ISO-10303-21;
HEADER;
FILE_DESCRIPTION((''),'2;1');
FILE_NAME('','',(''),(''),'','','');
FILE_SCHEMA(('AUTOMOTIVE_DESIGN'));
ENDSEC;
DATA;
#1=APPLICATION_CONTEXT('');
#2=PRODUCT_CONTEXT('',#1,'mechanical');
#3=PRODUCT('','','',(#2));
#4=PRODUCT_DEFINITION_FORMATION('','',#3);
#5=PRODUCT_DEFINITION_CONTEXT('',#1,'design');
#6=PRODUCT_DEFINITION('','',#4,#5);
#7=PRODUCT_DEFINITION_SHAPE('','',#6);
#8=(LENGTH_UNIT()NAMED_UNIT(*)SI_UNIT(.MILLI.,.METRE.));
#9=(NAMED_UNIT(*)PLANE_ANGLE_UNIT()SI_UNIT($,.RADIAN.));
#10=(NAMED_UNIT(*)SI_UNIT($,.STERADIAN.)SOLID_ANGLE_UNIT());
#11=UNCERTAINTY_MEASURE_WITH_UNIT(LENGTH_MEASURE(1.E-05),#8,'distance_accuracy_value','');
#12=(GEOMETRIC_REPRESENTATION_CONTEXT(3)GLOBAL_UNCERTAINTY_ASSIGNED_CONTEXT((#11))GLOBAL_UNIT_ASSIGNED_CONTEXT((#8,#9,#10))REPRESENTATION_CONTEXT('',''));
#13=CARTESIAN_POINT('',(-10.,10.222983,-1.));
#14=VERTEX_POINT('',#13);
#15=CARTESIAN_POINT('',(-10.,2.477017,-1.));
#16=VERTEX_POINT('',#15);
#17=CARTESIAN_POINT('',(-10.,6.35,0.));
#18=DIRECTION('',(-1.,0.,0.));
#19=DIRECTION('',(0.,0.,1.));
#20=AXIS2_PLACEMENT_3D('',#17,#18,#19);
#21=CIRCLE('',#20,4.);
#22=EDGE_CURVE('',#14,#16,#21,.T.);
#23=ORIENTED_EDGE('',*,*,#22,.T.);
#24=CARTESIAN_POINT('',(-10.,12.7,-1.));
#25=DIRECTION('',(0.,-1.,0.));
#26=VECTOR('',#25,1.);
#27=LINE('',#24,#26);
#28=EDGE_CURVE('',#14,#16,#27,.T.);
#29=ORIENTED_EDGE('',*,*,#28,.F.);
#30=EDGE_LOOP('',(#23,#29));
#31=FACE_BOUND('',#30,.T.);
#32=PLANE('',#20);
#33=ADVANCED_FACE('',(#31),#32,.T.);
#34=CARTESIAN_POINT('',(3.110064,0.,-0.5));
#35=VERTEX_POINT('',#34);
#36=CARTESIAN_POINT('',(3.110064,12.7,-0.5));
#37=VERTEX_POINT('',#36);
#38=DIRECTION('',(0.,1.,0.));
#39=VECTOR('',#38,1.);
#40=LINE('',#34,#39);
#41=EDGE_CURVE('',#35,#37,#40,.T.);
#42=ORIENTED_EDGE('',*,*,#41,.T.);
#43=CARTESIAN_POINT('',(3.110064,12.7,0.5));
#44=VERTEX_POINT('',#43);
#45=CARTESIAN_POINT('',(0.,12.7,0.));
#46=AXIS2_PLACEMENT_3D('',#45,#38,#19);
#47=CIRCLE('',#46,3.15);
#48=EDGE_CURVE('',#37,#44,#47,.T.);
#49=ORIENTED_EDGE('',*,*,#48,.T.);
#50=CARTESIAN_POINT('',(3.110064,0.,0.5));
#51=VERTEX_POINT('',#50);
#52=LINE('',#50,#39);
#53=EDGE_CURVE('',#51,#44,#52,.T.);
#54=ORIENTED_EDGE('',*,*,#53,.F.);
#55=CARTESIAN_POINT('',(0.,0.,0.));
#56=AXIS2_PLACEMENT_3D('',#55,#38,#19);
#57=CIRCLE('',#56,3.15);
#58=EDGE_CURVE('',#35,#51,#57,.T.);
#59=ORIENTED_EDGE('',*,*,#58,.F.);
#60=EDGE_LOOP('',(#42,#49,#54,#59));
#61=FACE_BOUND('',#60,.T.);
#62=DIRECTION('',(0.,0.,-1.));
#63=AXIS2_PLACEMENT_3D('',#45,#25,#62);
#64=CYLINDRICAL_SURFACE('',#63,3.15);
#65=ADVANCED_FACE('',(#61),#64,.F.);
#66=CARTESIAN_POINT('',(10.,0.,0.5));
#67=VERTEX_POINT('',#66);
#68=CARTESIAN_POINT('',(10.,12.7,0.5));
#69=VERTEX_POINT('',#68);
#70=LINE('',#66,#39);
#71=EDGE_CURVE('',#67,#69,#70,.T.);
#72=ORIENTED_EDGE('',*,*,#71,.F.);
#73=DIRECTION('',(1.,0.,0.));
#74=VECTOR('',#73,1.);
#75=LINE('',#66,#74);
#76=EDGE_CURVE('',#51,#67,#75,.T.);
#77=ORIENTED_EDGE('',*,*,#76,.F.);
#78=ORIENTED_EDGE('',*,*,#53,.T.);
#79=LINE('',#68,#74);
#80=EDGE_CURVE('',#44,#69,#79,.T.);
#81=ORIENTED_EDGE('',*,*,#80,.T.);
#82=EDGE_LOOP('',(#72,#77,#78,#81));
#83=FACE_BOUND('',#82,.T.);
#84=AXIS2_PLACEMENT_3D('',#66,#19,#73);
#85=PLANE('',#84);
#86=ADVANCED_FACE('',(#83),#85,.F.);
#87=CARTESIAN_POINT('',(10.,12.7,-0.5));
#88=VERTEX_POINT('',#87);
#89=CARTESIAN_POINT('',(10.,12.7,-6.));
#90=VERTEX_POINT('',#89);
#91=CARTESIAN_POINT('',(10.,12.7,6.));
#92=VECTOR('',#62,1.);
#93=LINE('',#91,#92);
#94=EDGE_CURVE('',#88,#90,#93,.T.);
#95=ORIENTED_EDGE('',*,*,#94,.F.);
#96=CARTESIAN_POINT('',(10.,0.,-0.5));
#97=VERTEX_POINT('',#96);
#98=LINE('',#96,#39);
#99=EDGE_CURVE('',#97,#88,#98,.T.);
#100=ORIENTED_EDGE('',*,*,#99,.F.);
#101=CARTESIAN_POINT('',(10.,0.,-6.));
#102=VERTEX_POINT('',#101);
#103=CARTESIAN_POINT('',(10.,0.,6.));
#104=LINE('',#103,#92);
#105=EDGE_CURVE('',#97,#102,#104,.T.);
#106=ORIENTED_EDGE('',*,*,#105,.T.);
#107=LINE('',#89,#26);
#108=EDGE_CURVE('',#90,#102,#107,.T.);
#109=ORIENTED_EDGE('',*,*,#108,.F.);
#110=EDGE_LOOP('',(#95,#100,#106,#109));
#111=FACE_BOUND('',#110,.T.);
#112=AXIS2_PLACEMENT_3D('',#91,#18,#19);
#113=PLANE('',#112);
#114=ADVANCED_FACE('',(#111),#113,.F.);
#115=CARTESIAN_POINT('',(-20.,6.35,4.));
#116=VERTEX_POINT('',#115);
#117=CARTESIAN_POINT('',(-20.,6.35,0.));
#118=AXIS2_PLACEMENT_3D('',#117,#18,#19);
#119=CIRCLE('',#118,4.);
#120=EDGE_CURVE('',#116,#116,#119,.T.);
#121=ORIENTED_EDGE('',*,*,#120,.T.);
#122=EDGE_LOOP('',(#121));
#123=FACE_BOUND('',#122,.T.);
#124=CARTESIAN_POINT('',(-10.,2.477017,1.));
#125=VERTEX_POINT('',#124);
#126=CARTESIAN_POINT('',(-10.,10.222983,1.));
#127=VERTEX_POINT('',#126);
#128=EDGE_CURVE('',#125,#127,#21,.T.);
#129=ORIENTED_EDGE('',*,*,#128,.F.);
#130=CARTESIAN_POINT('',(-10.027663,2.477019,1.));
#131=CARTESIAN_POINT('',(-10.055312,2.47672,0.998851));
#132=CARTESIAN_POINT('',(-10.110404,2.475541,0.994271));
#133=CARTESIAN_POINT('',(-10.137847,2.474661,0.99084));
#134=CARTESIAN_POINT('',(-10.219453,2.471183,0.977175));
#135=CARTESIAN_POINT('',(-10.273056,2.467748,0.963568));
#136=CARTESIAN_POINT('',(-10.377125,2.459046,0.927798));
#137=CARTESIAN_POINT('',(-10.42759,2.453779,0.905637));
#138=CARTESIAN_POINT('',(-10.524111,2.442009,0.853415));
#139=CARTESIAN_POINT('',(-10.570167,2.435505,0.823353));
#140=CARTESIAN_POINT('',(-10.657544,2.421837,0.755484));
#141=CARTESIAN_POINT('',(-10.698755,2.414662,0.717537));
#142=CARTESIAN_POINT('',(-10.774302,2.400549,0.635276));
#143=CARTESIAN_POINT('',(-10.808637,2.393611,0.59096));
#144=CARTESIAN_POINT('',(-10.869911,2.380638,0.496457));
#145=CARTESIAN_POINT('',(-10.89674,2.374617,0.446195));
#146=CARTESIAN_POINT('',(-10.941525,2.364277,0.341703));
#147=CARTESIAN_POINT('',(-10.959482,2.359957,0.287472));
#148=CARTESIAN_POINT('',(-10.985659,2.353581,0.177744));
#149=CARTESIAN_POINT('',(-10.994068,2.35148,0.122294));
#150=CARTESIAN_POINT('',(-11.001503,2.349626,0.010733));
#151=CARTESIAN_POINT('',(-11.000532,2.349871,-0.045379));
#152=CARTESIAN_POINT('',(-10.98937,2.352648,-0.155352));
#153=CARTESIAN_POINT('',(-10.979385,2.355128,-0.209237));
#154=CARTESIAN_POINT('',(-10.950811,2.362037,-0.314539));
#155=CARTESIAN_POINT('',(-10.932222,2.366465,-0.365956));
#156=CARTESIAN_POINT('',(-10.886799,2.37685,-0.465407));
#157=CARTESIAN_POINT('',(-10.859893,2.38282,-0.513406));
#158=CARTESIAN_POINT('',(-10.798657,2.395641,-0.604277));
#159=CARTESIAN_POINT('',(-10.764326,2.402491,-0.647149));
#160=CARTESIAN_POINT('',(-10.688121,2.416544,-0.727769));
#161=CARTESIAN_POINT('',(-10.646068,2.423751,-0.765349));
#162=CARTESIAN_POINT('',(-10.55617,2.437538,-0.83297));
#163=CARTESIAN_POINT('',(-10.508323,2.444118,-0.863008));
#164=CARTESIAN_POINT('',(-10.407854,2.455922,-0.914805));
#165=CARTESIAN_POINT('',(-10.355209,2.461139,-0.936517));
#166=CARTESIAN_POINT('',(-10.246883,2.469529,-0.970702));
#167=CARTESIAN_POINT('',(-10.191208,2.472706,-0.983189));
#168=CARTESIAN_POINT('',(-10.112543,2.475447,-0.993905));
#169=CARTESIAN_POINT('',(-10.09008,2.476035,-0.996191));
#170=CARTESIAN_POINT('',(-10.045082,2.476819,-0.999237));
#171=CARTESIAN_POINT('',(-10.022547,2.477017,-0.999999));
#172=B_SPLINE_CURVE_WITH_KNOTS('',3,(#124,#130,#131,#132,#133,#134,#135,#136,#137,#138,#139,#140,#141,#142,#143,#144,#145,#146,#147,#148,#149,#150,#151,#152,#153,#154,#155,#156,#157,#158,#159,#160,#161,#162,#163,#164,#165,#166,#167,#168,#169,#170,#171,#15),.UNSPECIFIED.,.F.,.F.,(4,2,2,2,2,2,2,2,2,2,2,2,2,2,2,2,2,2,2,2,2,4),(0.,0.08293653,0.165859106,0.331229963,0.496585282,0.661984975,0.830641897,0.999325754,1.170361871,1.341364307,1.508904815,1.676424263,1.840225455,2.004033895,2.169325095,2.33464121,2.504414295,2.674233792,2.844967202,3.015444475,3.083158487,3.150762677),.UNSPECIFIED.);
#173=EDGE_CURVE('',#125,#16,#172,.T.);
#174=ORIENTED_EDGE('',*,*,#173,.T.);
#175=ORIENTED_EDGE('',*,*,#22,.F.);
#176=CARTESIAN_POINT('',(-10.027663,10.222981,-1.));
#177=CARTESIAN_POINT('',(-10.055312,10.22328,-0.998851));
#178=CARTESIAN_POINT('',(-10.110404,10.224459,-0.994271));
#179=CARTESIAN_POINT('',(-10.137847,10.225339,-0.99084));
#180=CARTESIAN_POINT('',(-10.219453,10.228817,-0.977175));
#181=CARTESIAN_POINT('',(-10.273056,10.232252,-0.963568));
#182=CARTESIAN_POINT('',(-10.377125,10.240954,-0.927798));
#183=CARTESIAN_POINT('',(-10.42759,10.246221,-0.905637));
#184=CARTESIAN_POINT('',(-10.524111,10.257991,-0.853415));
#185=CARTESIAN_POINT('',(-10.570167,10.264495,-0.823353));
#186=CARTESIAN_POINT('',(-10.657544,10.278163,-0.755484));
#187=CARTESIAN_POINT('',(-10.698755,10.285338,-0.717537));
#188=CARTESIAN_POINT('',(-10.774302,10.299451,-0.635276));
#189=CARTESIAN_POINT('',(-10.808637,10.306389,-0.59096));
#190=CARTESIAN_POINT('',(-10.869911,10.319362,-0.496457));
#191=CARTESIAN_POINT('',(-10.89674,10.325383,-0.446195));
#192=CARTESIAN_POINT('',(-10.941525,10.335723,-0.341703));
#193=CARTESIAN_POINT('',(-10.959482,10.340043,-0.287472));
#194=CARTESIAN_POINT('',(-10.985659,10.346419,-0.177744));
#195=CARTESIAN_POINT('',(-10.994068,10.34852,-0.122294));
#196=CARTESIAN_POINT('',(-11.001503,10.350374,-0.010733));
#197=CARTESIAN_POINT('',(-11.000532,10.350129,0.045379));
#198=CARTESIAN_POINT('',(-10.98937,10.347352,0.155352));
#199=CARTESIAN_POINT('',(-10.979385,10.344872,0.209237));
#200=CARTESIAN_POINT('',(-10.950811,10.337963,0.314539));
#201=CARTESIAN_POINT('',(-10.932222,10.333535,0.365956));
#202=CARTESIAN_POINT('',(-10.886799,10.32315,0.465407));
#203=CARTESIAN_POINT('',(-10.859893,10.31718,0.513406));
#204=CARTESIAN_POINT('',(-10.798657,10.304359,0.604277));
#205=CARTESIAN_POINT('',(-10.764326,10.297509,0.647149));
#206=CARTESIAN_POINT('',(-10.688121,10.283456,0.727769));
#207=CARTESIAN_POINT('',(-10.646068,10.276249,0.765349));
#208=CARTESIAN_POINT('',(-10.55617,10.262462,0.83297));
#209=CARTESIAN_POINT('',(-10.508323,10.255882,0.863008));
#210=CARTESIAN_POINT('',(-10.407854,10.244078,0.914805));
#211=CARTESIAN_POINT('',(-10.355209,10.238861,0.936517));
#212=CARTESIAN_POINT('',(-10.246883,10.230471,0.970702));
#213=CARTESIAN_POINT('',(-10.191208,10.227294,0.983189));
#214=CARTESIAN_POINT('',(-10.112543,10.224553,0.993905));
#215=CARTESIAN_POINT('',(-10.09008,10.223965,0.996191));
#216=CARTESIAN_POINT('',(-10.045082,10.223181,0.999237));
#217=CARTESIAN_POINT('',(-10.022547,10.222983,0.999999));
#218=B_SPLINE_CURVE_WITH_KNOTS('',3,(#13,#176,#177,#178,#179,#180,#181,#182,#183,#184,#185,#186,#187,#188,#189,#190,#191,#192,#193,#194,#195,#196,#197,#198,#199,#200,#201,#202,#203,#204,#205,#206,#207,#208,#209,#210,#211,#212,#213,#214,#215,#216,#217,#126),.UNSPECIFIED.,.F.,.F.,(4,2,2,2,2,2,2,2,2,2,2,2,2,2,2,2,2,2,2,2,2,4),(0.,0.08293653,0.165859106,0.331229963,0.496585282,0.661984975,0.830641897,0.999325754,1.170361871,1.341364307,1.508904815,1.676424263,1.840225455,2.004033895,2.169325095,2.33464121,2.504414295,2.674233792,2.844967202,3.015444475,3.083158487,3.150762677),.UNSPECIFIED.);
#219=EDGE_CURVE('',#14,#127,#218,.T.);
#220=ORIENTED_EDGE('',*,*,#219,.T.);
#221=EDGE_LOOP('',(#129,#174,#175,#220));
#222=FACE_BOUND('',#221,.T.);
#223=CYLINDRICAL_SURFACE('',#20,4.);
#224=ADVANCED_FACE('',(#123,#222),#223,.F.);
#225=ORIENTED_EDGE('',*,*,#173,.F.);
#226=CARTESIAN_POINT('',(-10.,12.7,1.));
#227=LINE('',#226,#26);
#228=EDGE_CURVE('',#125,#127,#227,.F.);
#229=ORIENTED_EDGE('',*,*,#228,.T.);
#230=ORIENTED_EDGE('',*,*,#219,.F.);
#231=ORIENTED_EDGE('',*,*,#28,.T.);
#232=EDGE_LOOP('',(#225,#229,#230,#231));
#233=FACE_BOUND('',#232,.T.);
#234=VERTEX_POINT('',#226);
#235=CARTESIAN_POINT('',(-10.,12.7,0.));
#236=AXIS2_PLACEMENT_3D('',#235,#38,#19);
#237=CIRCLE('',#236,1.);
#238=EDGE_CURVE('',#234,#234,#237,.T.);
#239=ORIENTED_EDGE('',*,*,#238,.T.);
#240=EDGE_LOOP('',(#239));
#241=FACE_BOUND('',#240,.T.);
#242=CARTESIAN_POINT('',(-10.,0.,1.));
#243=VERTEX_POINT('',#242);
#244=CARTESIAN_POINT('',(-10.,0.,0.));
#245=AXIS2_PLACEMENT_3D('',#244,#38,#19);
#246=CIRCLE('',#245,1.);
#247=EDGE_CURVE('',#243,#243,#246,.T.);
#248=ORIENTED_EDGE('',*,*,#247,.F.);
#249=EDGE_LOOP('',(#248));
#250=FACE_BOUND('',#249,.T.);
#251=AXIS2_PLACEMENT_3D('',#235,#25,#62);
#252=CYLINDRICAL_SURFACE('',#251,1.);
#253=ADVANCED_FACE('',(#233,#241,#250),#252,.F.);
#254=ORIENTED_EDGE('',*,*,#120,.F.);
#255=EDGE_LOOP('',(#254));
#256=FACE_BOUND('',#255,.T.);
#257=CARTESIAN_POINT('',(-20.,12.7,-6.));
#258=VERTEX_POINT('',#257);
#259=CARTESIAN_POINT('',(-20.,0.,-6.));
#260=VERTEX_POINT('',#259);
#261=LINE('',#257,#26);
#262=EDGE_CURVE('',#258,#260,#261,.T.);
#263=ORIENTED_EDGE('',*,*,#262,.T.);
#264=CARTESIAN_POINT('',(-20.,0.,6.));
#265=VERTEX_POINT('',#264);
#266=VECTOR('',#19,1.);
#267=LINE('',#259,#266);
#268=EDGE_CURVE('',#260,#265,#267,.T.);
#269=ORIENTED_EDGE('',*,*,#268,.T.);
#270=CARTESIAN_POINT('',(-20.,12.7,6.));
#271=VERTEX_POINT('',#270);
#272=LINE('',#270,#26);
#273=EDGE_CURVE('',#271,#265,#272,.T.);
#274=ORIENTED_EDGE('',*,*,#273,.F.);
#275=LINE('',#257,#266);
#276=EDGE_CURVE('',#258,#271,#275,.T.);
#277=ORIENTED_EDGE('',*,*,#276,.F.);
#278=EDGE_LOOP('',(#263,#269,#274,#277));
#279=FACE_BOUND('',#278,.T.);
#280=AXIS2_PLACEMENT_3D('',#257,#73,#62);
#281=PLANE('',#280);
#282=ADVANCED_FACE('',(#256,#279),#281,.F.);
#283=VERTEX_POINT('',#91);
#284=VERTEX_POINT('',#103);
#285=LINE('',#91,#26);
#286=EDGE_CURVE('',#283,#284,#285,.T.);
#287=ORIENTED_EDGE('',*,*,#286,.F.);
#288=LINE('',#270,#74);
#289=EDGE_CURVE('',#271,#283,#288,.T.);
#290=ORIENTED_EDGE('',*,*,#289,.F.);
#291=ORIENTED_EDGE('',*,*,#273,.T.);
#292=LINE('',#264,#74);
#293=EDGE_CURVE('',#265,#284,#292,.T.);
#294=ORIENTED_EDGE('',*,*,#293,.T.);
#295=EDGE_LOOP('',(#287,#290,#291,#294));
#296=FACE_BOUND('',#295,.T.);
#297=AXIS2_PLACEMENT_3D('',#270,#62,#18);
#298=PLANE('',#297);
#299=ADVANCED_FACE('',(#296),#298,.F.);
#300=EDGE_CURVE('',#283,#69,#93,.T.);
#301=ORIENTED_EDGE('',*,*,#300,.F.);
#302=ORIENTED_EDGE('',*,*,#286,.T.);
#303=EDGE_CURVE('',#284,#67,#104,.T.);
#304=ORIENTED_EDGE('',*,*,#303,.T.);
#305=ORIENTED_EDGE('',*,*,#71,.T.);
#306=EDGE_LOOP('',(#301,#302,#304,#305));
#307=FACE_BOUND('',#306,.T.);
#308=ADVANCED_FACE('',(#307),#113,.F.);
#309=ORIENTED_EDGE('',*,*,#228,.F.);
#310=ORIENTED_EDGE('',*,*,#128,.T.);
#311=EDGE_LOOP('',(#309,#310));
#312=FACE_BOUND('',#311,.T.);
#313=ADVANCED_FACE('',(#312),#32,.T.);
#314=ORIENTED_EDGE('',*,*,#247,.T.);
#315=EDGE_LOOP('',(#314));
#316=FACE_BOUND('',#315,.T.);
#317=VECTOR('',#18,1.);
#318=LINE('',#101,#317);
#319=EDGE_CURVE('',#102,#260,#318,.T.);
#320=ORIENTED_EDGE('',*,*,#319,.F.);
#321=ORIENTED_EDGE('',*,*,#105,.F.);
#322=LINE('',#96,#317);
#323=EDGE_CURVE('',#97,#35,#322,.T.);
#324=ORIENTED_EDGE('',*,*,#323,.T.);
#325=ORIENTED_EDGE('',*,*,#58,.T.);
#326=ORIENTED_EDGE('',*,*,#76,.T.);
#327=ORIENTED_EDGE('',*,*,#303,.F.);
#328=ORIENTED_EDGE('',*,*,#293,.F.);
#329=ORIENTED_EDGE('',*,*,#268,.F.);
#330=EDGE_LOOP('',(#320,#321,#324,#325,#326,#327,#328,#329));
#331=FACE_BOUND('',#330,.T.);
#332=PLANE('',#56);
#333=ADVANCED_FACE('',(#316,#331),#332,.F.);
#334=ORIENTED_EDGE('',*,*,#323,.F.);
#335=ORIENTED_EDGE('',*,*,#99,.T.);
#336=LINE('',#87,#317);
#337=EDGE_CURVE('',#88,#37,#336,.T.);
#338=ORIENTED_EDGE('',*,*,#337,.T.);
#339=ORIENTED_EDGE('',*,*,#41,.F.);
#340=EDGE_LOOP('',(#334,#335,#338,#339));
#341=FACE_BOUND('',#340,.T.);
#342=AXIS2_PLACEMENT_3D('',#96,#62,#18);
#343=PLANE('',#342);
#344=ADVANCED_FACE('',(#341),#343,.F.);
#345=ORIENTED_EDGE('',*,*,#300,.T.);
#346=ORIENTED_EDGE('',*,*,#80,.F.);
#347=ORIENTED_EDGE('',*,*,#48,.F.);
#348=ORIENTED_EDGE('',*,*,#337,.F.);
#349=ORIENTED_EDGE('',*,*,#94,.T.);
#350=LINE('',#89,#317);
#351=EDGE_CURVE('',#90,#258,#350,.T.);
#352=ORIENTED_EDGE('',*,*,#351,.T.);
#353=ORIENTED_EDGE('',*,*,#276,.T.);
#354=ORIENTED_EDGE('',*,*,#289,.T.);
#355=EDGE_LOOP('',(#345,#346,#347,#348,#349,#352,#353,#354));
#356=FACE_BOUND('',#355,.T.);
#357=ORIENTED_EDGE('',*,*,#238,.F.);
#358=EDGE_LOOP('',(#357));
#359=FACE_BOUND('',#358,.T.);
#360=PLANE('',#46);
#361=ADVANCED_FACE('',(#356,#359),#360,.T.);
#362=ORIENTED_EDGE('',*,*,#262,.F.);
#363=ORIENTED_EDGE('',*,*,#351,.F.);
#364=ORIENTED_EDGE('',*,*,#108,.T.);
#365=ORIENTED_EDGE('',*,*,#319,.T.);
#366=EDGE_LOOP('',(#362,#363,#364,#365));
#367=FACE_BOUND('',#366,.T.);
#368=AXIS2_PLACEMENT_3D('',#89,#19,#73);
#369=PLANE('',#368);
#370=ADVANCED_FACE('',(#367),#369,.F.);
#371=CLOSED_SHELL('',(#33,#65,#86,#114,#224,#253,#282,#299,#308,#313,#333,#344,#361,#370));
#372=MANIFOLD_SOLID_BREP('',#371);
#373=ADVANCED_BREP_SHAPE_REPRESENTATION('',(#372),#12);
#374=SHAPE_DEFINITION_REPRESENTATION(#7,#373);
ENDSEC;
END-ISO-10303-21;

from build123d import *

# Parameters (mm, degrees)
SKETCH1_W           = 30
SKETCH1_H           = 12
SKETCH1_R           = 3.15
SKETCH1_R_2         = 1
BOSS_EXTRUDE1_DEPTH = 12.7
SKETCH2_R           = 4
CUT_EXTRUDE1_DEPTH  = 10
SKETCH3_W           = 6.889935692
SKETCH3_H           = 1
CUT_EXTRUDE2_DEPTH  = 25.439517314


with BuildPart() as part:
    # Sketch1 → Boss-Extrude1 (new body)
    with BuildSketch(Plane(origin=(0, 0, 0), x_dir=(1, 0, 0), z_dir=(0, 1, 0))):
        with Locations((-5, 0)):
            Rectangle(SKETCH1_W, SKETCH1_H)
        with Locations(Location((0, 0, 0), (0, 0, 270))):
            Circle(SKETCH1_R, mode=Mode.SUBTRACT)
        with Locations(Location((-10, 0, 0), (0, 0, 270))):
            Circle(SKETCH1_R_2, mode=Mode.SUBTRACT)
    extrude(amount=BOSS_EXTRUDE1_DEPTH)

    # Sketch2 → Cut-Extrude1 (cut)
    with BuildSketch(Plane.ZY.offset(20)):
        with Locations((0, 6.35)):
            Circle(SKETCH2_R)
    extrude(amount=-CUT_EXTRUDE1_DEPTH, mode=Mode.SUBTRACT)

    # Sketch3 → Cut-Extrude2 (cut, through all)
    with BuildSketch(Plane(origin=(0, 12.7, 0), x_dir=(1, 0, 0), z_dir=(0, 1, 0))):
        with Locations((6.555032154, 0)):
            Rectangle(SKETCH3_W, SKETCH3_H)
    extrude(amount=-CUT_EXTRUDE2_DEPTH, mode=Mode.SUBTRACT)


solid = part.part
